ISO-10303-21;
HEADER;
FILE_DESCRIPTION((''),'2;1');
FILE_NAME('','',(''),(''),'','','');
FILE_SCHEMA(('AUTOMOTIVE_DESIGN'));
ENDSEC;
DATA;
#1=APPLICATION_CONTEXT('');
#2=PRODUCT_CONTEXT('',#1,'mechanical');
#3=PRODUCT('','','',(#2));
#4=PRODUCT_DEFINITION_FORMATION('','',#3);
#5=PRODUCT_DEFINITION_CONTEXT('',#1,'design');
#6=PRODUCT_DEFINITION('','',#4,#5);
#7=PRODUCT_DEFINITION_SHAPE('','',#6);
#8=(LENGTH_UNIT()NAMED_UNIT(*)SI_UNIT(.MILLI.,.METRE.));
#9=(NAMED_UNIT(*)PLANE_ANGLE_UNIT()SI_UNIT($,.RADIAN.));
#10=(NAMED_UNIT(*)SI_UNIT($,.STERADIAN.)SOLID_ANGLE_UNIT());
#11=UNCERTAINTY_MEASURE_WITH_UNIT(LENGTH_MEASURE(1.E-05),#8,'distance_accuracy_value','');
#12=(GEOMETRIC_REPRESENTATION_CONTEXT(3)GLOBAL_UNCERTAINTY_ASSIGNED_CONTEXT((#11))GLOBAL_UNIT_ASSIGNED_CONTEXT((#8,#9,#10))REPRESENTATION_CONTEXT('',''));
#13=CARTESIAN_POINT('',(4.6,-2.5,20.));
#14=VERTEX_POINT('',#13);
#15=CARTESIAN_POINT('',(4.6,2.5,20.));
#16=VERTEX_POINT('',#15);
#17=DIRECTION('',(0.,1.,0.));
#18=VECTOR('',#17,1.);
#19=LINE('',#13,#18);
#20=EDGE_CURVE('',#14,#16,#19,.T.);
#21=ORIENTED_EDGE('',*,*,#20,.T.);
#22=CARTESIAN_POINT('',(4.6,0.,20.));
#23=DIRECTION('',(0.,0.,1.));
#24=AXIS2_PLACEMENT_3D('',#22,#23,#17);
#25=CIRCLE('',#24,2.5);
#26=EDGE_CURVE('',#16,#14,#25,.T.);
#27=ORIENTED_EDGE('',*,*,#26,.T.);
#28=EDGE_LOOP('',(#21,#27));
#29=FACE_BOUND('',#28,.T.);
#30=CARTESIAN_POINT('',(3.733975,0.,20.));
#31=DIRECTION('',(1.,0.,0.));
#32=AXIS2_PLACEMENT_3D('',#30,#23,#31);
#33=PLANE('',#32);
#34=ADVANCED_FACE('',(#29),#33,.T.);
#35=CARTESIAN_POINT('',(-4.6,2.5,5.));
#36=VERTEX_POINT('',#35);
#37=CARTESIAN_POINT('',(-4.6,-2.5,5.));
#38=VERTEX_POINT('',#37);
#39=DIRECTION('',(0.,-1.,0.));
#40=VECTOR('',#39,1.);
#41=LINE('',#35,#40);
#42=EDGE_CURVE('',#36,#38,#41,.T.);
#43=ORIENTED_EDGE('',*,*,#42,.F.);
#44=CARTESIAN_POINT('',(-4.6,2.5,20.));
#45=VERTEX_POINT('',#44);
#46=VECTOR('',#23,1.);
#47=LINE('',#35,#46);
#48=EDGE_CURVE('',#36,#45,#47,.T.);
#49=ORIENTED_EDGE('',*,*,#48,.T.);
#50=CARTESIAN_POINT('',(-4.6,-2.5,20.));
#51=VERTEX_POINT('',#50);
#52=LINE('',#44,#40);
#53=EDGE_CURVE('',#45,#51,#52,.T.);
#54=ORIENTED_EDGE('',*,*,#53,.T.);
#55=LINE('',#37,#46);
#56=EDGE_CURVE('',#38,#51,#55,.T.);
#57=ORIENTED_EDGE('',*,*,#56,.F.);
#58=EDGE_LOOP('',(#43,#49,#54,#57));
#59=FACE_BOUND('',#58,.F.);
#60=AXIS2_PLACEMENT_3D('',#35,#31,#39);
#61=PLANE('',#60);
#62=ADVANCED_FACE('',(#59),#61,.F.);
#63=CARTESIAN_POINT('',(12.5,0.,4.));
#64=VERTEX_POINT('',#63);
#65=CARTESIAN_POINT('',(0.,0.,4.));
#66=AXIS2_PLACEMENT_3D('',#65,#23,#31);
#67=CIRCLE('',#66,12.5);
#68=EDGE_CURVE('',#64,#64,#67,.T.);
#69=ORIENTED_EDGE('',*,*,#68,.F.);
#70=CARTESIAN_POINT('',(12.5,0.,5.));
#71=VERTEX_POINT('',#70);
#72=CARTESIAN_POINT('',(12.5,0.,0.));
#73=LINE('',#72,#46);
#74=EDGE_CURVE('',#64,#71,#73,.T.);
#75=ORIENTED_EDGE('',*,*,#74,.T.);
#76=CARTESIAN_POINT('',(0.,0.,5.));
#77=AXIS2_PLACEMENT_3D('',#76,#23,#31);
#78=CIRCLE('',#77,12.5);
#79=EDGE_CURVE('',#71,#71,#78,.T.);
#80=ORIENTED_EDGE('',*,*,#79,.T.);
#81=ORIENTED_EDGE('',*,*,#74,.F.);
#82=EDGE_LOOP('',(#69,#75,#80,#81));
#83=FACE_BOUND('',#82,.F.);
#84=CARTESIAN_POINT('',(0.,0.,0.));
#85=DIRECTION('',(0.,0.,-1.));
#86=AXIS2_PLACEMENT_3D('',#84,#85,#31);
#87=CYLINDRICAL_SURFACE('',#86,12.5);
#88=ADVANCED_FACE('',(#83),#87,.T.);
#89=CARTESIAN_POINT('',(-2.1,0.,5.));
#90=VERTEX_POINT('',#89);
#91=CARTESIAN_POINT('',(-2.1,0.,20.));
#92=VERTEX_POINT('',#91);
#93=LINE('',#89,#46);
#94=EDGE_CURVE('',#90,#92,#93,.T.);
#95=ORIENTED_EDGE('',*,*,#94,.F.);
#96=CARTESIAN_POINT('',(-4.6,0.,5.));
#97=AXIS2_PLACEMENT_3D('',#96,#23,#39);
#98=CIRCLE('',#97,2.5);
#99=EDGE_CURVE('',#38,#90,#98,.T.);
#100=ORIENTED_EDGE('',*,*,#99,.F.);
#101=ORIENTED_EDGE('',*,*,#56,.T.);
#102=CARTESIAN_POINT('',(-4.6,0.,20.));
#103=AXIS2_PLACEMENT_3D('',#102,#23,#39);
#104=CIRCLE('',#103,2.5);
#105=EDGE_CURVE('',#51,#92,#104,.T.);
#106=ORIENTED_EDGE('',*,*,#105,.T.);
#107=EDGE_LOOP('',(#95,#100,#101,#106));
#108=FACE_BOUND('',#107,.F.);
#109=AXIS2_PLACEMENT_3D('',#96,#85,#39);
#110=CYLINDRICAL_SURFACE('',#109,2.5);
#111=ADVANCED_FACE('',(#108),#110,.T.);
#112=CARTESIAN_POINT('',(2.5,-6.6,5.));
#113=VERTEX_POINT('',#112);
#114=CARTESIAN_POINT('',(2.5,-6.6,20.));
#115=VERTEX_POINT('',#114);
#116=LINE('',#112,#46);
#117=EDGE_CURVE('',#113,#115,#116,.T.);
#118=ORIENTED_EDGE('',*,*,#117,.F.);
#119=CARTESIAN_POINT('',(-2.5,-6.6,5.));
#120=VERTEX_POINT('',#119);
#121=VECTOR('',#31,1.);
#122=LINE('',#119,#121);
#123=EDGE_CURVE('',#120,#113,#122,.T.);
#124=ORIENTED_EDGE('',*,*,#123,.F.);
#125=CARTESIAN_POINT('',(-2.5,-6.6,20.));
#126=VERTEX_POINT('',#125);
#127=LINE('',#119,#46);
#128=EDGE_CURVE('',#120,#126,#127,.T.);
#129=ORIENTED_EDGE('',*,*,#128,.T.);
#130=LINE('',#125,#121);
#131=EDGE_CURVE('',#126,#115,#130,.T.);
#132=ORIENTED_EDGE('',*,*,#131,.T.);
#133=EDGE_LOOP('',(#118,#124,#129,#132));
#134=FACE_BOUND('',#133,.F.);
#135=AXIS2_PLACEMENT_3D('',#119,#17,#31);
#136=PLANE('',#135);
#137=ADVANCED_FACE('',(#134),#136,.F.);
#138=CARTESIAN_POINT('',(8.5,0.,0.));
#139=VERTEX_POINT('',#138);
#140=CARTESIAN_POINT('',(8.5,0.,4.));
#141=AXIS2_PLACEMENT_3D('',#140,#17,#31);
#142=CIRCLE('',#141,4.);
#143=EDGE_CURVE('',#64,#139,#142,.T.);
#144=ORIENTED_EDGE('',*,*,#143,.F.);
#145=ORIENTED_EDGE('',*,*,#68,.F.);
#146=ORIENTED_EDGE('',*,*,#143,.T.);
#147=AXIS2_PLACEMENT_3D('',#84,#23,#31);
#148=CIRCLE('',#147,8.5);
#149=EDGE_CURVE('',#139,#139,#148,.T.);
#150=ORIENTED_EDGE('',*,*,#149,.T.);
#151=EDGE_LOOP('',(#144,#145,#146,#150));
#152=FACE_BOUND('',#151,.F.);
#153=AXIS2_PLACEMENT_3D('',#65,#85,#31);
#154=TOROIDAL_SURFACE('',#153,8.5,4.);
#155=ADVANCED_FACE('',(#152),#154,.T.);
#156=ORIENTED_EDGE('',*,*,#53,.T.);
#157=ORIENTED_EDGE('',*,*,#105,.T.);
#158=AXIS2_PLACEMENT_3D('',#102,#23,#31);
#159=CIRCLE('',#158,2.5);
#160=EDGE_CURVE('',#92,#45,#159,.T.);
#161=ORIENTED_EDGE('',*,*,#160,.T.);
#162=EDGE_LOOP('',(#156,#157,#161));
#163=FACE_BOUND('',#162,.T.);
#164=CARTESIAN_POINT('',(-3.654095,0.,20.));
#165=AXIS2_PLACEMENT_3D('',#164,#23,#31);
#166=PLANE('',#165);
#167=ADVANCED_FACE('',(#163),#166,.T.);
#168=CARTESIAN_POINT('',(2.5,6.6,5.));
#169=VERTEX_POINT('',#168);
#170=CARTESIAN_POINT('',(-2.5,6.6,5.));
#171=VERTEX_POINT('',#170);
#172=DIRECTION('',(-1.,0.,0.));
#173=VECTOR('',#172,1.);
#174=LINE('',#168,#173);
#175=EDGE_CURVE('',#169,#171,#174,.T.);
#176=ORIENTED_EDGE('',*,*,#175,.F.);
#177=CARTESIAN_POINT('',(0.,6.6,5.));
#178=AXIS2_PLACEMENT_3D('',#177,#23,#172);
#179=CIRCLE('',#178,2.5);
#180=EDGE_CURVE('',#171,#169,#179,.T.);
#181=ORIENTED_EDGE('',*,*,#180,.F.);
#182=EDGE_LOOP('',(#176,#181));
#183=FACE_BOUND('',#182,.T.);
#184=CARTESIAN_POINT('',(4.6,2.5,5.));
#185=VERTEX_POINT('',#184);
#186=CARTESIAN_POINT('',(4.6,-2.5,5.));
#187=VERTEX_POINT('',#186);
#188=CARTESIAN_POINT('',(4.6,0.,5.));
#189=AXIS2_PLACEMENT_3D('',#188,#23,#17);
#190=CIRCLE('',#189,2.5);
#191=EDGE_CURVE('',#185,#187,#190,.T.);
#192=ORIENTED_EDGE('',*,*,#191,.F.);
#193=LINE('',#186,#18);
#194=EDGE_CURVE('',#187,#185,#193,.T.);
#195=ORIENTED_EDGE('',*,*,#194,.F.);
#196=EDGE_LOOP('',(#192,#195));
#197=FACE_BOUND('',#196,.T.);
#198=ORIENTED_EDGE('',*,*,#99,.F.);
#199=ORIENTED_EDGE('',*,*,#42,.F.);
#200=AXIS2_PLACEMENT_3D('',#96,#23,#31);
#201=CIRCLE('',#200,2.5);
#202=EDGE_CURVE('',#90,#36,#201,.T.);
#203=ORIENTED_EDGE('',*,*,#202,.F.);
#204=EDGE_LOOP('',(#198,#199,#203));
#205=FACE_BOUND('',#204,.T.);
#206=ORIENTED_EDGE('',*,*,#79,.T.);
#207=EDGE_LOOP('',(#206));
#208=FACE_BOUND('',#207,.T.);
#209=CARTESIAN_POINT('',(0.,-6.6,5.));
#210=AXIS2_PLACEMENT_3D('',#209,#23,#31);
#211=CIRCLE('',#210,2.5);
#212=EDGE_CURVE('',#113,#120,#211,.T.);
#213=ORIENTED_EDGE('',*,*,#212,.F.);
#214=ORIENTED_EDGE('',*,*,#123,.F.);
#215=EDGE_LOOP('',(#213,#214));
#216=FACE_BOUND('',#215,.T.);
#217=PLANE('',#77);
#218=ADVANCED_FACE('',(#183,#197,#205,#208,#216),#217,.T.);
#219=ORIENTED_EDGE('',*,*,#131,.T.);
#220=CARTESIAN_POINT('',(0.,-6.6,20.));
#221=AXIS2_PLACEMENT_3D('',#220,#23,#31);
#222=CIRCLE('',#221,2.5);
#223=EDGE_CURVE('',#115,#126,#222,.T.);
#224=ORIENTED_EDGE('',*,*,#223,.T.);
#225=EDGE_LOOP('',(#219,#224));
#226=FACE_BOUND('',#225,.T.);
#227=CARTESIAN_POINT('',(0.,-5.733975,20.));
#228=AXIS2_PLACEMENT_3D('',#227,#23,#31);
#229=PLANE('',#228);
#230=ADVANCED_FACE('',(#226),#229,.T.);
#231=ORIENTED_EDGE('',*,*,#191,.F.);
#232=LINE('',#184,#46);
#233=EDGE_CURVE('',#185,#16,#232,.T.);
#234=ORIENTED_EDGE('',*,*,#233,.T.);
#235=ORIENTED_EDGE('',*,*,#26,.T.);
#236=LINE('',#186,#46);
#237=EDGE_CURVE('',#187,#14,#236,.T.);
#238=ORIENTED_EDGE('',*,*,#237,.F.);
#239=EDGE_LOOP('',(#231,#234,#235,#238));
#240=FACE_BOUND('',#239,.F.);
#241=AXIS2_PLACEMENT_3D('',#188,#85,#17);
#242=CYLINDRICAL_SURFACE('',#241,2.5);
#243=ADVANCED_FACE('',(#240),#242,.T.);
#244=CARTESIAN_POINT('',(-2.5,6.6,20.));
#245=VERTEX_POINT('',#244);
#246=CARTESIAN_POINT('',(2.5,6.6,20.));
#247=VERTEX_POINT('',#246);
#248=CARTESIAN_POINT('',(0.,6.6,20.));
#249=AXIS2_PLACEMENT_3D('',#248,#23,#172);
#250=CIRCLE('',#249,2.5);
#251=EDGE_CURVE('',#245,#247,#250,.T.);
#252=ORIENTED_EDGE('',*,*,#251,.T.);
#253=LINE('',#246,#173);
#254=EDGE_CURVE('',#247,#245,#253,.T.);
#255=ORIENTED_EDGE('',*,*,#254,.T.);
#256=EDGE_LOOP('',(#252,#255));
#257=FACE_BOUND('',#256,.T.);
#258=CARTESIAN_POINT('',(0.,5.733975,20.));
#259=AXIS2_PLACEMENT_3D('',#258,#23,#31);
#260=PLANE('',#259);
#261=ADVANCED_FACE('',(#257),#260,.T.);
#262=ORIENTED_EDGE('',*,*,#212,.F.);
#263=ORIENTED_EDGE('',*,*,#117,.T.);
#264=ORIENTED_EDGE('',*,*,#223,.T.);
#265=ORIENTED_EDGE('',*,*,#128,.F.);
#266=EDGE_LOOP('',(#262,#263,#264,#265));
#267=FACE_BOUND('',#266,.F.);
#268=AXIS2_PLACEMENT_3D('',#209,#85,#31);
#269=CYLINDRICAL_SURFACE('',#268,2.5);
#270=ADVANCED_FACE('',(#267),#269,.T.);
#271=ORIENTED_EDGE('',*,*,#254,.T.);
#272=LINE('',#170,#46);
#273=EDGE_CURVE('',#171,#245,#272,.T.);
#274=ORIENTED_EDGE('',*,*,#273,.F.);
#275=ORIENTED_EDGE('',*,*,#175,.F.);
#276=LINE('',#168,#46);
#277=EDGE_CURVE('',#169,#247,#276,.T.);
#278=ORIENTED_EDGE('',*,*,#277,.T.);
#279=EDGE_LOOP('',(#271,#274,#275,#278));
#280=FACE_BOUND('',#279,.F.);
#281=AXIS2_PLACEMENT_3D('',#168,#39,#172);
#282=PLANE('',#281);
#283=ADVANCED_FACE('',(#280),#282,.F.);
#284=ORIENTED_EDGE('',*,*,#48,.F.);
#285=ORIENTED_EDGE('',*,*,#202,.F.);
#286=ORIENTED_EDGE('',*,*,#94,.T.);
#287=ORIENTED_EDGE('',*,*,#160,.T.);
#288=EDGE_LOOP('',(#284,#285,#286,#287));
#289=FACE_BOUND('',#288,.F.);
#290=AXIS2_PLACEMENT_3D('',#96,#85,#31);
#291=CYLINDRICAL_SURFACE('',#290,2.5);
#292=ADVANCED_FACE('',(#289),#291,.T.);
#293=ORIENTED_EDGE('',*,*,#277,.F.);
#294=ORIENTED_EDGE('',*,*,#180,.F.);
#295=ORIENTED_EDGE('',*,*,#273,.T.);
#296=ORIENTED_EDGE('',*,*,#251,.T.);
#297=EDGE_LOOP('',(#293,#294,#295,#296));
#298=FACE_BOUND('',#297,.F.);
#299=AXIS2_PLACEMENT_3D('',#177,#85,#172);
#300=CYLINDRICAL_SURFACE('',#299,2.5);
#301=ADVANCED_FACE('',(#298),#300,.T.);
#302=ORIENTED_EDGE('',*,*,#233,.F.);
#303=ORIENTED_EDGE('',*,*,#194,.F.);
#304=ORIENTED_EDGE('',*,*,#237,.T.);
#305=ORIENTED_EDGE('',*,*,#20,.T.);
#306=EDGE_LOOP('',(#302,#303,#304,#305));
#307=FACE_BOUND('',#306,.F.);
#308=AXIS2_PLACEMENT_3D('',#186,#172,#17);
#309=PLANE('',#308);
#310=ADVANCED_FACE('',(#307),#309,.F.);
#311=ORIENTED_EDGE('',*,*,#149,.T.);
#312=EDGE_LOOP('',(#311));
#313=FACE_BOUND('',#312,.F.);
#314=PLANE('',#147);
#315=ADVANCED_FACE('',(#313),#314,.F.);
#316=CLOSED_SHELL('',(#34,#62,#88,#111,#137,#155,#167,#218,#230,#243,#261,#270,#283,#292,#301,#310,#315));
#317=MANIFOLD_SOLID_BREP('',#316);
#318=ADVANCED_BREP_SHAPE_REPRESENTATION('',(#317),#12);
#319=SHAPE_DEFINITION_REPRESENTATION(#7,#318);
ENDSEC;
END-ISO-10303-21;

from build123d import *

# Parameters (mm, degrees)
F0_R     = 12.5
F1_DEPTH = 5
F2_R     = 4
F4_DEPTH = 15


with BuildPart() as f1:
    # F0 (on Top) → F1 (new body)
    with BuildSketch(Plane.XY):
        Circle(F0_R)
    extrude(amount=F1_DEPTH)

    # F2
    f2_edges = [f1.edges().sort_by_distance(p)[0] for p in [
        (-12.5, 0, 0),
    ]]
    fillet(f2_edges, radius=F2_R)

    # F3 (on face) → F4 (join)
    with BuildSketch(Plane.XY.offset(5)):
        with BuildLine():
            Line((-2.5, -6.6), (2.5, -6.6))
            ThreePointArc((2.5, -6.6), (0, -4.1), (-2.5, -6.6))
        make_face()
        with BuildLine():
            ThreePointArc((-2.5, 6.6), (0, 4.1), (2.5, 6.6))
            Line((2.5, 6.6), (-2.5, 6.6))
        make_face()
        with BuildLine():
            ThreePointArc((4.6, 2.5), (2.1, 0), (4.6, -2.5))
            Line((4.6, -2.5), (4.6, 2.5))
        make_face()
        with BuildLine():
            Line((-4.6, 2.5), (-4.6, -2.5))
            ThreePointArc((-4.6, -2.5), (-2.832233047, -1.767766953), (-2.1, 0))
            ThreePointArc((-2.1, 0), (-2.832233047, 1.767766953), (-4.6, 2.5))
        make_face()
    extrude(amount=F4_DEPTH)


solid = f1.part
